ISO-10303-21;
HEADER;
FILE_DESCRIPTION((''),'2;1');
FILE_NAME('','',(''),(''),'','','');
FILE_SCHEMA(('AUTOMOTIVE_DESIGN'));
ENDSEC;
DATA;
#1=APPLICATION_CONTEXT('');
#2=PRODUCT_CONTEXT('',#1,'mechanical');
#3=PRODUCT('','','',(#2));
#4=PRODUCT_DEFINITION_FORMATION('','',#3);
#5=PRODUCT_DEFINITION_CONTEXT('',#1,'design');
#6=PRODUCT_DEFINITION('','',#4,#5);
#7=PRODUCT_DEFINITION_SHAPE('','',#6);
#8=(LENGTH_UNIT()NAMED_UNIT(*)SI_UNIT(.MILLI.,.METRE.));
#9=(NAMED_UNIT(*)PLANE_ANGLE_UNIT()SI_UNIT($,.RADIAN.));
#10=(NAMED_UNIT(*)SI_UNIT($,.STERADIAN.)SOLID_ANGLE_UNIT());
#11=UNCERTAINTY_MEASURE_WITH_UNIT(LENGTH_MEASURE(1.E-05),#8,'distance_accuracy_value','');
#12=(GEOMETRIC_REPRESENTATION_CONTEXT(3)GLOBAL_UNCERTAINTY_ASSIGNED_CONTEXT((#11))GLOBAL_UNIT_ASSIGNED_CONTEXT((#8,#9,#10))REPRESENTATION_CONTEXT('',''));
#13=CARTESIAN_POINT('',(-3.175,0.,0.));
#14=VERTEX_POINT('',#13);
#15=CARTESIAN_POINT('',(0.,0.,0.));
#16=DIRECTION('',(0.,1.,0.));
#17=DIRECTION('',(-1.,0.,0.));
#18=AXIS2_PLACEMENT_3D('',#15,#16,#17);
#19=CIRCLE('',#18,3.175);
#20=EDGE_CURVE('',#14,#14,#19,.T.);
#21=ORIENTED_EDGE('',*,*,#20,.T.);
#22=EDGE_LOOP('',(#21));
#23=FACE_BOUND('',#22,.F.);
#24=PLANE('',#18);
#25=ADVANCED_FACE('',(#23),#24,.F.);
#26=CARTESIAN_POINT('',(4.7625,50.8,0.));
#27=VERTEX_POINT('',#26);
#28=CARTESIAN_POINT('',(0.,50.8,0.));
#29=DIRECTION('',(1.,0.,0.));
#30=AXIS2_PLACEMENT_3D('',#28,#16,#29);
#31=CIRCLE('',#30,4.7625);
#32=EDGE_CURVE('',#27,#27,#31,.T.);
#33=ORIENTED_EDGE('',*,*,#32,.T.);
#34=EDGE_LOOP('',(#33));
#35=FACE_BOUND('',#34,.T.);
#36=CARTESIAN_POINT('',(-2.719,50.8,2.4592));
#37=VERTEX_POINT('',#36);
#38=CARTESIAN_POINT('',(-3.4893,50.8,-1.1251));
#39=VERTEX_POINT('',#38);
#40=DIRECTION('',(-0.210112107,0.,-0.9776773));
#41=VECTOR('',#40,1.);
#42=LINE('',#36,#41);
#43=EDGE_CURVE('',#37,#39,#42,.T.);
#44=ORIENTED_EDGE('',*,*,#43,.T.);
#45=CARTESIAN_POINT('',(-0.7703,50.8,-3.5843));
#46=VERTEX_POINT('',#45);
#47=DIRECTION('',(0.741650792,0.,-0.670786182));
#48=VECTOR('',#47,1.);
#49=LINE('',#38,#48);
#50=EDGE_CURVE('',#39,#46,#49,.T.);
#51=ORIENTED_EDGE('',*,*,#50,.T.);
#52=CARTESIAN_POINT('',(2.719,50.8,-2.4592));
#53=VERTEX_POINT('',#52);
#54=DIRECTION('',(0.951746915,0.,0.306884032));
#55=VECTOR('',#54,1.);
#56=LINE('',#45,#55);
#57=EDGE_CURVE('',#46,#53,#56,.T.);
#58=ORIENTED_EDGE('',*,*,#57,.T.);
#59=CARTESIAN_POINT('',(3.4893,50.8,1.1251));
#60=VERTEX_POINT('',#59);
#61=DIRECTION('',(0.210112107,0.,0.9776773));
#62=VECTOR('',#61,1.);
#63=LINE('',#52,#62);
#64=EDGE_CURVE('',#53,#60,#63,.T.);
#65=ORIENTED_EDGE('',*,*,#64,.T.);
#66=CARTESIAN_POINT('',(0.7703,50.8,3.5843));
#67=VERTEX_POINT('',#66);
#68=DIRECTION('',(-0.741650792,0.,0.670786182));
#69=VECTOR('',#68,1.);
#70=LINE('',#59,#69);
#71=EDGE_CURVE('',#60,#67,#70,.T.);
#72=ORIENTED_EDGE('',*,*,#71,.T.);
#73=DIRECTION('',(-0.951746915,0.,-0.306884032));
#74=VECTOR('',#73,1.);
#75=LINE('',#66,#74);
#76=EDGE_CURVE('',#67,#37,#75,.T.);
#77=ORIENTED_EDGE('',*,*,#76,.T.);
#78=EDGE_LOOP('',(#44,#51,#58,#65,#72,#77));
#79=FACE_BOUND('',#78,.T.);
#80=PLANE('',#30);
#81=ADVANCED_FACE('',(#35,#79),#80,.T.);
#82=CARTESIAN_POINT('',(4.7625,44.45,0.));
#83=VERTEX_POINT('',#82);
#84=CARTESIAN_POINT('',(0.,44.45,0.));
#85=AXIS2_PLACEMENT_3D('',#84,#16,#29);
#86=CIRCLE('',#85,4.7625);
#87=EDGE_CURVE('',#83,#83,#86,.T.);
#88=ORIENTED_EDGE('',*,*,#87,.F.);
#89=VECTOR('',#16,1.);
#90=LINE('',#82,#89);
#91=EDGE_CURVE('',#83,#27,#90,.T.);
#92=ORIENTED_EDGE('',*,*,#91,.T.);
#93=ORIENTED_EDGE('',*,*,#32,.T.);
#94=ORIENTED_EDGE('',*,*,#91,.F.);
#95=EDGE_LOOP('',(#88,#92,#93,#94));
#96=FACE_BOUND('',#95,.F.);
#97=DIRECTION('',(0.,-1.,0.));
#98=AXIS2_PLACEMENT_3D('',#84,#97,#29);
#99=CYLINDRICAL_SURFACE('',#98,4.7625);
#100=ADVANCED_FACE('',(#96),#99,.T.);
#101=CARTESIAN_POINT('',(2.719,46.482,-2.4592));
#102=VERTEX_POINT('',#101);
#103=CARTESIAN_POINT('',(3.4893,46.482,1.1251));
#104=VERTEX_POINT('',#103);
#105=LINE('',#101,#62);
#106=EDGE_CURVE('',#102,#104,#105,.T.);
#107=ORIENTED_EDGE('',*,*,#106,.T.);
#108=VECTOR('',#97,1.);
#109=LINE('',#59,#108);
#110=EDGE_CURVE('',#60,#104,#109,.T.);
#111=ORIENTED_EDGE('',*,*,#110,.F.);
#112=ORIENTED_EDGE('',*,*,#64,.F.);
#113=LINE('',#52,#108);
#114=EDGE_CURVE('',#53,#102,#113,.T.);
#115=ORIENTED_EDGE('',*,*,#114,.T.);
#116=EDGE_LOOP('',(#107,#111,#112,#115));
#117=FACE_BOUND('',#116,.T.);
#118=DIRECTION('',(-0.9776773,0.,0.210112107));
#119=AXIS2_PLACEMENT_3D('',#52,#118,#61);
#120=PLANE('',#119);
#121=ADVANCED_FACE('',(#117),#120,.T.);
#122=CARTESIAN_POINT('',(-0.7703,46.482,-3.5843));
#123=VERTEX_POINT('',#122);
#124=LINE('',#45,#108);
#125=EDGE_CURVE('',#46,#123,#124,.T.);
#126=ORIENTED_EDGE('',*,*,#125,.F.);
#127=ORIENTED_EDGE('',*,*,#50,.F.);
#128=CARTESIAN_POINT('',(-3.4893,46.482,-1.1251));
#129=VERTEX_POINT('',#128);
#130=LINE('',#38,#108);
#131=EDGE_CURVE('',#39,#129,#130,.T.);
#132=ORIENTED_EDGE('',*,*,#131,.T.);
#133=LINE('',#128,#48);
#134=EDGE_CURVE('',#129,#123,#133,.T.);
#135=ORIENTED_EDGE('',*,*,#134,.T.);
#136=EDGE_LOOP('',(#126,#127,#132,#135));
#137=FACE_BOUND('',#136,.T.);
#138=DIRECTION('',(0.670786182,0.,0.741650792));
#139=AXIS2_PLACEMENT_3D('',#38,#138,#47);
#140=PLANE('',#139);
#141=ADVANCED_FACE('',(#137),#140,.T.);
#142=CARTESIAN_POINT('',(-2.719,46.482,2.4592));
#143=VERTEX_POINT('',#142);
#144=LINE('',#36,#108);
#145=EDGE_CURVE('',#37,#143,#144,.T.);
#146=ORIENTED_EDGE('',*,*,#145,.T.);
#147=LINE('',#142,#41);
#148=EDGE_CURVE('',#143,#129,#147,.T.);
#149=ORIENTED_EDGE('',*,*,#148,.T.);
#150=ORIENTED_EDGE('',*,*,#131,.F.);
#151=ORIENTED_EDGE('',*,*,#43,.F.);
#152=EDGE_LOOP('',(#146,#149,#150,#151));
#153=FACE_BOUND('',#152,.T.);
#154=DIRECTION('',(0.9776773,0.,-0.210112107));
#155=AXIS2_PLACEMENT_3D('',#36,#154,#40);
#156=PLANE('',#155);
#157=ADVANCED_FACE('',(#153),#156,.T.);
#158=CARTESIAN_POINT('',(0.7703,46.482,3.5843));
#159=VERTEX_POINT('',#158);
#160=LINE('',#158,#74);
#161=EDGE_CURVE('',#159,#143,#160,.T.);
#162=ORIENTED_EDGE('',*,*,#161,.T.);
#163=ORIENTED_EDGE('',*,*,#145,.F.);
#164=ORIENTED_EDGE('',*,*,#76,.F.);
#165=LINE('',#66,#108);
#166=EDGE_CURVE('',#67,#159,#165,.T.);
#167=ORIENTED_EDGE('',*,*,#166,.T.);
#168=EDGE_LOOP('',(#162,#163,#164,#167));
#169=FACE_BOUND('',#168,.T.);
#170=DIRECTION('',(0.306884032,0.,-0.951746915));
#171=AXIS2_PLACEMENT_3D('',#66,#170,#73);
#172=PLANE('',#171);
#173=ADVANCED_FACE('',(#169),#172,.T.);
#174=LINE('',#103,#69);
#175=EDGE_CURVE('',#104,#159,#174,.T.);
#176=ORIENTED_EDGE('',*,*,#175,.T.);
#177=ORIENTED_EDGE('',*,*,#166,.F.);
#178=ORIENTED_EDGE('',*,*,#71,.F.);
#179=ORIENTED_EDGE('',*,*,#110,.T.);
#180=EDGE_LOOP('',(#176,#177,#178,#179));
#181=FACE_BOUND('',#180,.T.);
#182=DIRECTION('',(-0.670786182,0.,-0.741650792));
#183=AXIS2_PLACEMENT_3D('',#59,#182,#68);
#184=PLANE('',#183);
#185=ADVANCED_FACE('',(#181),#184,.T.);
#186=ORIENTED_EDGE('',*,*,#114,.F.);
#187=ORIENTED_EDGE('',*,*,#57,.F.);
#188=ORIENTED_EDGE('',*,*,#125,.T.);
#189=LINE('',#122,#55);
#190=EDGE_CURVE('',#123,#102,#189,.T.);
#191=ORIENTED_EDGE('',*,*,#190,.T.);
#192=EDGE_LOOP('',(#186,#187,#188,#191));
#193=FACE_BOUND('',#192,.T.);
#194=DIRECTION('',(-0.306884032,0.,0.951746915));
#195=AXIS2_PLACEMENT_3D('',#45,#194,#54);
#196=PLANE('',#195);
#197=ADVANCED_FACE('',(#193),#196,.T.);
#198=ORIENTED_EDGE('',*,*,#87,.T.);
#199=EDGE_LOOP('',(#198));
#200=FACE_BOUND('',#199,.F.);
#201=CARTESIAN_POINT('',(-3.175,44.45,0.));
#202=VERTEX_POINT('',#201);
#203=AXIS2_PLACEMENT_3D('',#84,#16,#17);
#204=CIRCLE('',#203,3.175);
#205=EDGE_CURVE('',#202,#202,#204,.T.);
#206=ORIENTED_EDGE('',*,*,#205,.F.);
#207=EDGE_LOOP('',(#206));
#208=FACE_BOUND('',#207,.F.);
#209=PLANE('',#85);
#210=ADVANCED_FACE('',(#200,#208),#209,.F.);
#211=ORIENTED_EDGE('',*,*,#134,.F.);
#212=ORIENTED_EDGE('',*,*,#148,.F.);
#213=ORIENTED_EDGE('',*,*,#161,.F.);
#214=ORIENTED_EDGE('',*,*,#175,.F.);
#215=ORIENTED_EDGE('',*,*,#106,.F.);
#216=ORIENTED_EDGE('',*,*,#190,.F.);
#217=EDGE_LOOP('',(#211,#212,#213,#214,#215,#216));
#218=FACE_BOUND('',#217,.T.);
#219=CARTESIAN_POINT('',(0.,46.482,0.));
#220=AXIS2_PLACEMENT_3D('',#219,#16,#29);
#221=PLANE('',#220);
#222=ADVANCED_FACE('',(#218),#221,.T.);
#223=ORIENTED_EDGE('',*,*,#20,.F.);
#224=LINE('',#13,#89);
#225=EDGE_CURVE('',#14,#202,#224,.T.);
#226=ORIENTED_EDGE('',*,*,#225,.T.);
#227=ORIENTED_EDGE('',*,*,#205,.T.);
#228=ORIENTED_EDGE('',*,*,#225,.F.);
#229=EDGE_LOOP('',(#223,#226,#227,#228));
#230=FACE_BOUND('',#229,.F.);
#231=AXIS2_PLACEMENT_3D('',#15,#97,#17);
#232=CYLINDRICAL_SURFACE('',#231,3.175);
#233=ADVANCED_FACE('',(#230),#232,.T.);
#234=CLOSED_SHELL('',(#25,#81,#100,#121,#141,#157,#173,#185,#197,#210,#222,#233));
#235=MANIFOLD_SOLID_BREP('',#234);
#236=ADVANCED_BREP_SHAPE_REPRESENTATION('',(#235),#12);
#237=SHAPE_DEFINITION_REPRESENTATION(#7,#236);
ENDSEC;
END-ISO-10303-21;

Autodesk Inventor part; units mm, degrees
ref_plane "YZ Plane" through (0, 0, 0) normal (1, 0, 0) x (0, 1, 0)
ref_plane "XZ Plane" through (0, 0, 0) normal (0, 1, 0) x (-1, 0, 0)
ref_plane "XY Plane" through (0, 0, 0) normal (0, 0, 1) x (1, 0, 0)
sketch "Sketch1" plane through (0, 0, 0) normal (0, 1, 0) x (-1, 0, 0)
  circle A0 centre (0, 0) radius 3.175
  dimension "d2" = 6.35
extrude "Extrusion1" add sketch "Sketch1" along normal blind 44.45
thread "Thread1" size "1/4-20 UNC" class "2A" standard "ANSI Unified Screw Threads" full length
sketch "Sketch2" plane through (0, 44.45, 0) normal (0, 1, 0) x (1, 0, 0)
  circle A0 centre (0, 0) radius 4.7625
  dimension "d7" = 9.525
extrude "Extrusion2" add sketch "Sketch2" along normal blind 6.35
sketch "Sketch3" plane through (0, 50.8, 0) normal (0, 1, 0) x (1, 0, 0)
  line L0 (2.719, 2.4592) -> (3.4893, -1.1251)
  line L1 (3.4893, -1.1251) -> (0.7703, -3.5843)
  line L2 (0.7703, -3.5843) -> (-2.719, -2.4592)
  line L3 (-2.719, -2.4592) -> (-3.4893, 1.1251)
  line L4 (-3.4893, 1.1251) -> (-0.7703, 3.5843)
  line L5 (-0.7703, 3.5843) -> (2.719, 2.4592)
  point P0 (0, 0)
  point P1 (0, 0)
  dimension "d10" = 6.35
extrude "Extrusion3" cut sketch "Sketch3" against normal blind 4.318
properties part number "qtr20_75"
